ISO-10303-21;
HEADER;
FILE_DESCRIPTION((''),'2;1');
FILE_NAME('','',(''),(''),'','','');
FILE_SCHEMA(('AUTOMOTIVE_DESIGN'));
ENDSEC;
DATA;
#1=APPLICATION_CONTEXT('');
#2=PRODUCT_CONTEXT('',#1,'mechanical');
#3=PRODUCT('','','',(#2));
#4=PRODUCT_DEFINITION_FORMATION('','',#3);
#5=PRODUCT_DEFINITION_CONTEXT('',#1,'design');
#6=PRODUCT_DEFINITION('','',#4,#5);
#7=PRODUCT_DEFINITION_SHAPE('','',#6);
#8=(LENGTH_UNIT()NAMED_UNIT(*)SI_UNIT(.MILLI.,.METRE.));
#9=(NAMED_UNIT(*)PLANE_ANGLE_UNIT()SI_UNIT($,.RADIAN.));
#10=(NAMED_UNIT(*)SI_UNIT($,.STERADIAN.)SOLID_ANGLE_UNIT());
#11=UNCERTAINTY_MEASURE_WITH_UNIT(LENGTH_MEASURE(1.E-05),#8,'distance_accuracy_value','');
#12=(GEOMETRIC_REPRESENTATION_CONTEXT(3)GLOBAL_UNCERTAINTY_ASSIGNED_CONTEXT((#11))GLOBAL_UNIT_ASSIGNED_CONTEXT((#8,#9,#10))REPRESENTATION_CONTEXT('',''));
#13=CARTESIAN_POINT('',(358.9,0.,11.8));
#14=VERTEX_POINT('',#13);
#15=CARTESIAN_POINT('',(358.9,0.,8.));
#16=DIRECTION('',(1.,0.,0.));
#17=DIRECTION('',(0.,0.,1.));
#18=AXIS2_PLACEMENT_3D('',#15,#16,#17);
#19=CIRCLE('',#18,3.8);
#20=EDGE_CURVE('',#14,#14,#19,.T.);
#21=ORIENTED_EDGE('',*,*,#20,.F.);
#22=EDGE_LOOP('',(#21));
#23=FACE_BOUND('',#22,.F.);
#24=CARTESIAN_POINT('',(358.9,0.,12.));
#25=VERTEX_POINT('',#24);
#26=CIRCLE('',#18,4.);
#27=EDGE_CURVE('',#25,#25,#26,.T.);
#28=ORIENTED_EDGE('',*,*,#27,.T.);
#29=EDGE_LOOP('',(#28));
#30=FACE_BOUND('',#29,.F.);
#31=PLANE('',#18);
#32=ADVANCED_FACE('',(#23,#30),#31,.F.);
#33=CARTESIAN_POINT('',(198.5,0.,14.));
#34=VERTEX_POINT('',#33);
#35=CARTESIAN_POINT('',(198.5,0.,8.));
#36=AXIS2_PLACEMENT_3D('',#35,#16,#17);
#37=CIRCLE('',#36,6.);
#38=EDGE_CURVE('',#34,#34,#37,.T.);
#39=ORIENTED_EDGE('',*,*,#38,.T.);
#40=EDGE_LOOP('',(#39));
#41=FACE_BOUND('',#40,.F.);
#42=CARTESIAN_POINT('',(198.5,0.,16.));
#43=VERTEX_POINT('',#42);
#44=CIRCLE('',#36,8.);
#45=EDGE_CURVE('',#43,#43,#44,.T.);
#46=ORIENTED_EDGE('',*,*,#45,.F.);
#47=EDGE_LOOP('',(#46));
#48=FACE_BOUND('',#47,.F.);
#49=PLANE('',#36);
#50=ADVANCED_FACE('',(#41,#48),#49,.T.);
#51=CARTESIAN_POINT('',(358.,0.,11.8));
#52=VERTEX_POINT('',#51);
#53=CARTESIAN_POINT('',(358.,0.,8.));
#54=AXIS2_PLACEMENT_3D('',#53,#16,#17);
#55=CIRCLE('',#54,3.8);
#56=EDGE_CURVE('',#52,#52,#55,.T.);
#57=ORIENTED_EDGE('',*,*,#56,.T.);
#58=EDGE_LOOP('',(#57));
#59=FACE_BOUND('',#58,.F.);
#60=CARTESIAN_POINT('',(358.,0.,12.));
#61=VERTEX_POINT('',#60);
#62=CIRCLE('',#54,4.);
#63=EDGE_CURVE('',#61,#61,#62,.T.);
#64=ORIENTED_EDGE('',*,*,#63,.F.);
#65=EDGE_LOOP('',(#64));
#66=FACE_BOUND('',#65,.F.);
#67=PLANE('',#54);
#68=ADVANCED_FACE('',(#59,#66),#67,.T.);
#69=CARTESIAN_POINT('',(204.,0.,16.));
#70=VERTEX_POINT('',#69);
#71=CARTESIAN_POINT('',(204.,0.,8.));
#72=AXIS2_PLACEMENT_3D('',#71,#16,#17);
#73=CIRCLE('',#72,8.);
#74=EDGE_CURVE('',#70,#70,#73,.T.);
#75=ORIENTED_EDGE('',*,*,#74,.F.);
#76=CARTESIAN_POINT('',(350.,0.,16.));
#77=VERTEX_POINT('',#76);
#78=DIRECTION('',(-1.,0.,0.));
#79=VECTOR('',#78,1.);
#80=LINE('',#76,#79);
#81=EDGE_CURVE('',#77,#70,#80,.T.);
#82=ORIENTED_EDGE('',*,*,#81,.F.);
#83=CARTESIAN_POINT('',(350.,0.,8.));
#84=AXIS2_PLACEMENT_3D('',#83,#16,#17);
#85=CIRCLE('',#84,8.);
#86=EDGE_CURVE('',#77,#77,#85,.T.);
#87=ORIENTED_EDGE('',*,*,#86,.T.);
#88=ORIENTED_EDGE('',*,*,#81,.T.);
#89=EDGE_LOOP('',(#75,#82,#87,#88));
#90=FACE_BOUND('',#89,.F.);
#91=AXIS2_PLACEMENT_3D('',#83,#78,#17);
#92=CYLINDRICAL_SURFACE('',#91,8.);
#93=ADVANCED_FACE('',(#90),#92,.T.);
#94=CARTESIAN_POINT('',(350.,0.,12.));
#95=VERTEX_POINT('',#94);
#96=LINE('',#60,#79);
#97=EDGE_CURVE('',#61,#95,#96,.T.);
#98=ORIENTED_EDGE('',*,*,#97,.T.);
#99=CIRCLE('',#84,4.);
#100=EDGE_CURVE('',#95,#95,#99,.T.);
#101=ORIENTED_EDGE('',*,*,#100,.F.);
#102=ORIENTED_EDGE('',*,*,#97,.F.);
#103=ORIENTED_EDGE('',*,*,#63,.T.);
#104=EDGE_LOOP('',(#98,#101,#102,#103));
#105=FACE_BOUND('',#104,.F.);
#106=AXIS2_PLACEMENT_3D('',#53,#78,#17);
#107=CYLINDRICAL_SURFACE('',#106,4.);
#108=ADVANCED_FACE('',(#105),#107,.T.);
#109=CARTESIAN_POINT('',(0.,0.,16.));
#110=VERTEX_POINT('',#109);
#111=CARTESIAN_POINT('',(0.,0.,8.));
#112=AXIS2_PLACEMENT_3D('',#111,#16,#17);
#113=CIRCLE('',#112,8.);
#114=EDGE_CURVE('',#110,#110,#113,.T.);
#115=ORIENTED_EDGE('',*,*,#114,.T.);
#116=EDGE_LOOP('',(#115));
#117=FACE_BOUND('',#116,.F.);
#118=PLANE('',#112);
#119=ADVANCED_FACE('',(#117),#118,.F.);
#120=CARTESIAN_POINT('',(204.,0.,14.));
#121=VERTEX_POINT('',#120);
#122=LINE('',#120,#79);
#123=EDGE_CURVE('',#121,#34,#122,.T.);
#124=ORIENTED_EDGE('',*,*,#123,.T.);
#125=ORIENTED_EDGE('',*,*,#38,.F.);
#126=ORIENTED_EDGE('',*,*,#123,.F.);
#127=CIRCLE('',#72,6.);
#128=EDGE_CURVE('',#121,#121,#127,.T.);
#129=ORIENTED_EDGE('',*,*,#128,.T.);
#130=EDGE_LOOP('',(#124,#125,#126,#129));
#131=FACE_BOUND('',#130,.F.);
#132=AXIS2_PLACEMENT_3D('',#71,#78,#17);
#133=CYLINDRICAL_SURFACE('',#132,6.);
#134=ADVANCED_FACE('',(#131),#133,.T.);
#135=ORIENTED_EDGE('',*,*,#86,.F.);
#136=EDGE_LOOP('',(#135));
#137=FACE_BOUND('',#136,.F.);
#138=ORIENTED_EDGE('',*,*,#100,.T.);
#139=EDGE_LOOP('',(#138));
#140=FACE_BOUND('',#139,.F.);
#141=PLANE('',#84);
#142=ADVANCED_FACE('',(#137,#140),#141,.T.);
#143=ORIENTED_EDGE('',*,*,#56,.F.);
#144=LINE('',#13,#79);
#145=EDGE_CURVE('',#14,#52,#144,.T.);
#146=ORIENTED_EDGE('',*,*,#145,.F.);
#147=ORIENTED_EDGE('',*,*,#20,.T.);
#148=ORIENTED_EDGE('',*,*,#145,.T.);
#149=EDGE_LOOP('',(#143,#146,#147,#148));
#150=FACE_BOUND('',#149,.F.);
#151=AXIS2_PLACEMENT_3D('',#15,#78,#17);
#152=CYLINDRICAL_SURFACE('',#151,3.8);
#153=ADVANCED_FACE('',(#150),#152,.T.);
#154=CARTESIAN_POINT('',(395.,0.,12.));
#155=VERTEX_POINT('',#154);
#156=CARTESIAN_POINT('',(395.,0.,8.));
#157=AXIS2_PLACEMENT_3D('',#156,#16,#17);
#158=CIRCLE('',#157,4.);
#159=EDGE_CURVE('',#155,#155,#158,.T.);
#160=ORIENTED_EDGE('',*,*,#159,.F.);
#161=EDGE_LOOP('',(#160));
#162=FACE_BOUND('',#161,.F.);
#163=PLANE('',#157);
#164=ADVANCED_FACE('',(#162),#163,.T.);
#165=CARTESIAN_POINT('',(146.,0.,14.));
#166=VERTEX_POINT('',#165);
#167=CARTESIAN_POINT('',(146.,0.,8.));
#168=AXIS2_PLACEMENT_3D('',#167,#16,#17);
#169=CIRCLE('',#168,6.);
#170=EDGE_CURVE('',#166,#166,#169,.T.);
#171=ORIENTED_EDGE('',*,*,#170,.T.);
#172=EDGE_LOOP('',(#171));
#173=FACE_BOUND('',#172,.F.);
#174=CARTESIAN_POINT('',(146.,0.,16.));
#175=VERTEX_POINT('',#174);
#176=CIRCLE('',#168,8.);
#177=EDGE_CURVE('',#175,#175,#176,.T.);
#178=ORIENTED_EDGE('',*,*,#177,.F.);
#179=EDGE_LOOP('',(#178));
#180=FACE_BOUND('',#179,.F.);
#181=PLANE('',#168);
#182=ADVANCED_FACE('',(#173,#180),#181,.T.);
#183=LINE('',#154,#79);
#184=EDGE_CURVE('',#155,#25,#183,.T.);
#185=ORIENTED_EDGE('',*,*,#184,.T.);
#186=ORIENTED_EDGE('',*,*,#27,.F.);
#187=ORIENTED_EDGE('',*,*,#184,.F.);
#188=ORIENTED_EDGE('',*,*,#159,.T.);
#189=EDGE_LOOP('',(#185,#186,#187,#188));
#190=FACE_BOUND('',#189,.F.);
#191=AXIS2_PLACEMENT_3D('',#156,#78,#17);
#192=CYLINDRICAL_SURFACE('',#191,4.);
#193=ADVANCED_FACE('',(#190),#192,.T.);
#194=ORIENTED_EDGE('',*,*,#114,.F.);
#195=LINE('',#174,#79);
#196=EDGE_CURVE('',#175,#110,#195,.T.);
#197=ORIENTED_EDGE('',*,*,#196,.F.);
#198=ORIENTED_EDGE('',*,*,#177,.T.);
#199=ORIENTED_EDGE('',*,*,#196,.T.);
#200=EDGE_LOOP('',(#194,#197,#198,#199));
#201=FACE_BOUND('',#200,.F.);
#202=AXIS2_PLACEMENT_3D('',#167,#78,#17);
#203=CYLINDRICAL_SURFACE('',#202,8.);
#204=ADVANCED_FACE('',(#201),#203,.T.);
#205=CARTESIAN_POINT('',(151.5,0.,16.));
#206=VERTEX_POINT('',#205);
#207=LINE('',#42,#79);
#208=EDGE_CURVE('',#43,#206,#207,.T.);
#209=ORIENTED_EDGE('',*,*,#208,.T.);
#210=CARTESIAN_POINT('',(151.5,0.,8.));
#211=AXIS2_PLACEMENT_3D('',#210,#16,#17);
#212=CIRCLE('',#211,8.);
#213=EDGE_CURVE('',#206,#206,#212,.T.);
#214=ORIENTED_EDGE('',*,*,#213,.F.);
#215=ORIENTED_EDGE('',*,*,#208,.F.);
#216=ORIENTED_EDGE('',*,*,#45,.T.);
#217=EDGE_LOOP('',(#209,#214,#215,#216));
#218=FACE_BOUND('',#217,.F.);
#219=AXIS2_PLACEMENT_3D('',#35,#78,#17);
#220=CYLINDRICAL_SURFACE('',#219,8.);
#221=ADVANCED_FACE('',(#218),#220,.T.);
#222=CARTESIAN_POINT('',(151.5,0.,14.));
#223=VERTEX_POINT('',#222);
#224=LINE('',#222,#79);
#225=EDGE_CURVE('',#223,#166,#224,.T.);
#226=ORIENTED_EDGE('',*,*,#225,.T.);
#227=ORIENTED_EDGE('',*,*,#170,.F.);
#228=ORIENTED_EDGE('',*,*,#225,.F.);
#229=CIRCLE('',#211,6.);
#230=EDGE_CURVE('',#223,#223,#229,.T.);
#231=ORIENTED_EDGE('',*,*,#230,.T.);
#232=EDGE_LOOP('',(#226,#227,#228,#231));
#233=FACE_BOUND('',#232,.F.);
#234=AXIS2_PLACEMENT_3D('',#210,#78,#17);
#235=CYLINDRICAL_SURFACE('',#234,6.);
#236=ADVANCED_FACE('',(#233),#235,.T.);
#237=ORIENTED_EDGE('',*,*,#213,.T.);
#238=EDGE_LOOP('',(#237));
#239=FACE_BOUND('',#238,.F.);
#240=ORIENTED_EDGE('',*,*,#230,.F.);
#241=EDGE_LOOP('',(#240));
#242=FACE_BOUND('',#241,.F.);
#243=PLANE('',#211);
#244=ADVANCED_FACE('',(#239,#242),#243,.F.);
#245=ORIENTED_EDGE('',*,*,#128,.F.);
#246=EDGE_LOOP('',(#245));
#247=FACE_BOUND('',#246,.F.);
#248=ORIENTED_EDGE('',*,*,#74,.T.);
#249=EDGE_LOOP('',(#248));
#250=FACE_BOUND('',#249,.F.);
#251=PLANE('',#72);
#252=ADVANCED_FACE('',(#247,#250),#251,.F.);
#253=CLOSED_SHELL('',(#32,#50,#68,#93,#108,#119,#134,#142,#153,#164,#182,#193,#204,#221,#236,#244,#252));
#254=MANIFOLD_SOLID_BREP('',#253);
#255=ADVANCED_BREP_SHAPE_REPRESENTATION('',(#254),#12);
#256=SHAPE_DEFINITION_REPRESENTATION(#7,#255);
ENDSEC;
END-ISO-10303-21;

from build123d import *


with BuildPart() as f1:
    # F0 (on Front) → F1 (revolve)
    with BuildSketch(Plane.XZ):
        Polygon((146, 16), (0, 16), (0, 8), (358, 8), (358.9, 8), (395, 8), (395, 12), (358.9, 12), (358.9, 11.8), (358, 11.8), (358, 12), (350, 12), (350, 16), (204, 16), (204, 14), (198.5, 14), (198.5, 16), (151.5, 16), (151.5, 14), (146, 14), align=None)
    revolve(axis=Axis((197.5, 0, 8), (1, 0, 0)))


solid = f1.part
